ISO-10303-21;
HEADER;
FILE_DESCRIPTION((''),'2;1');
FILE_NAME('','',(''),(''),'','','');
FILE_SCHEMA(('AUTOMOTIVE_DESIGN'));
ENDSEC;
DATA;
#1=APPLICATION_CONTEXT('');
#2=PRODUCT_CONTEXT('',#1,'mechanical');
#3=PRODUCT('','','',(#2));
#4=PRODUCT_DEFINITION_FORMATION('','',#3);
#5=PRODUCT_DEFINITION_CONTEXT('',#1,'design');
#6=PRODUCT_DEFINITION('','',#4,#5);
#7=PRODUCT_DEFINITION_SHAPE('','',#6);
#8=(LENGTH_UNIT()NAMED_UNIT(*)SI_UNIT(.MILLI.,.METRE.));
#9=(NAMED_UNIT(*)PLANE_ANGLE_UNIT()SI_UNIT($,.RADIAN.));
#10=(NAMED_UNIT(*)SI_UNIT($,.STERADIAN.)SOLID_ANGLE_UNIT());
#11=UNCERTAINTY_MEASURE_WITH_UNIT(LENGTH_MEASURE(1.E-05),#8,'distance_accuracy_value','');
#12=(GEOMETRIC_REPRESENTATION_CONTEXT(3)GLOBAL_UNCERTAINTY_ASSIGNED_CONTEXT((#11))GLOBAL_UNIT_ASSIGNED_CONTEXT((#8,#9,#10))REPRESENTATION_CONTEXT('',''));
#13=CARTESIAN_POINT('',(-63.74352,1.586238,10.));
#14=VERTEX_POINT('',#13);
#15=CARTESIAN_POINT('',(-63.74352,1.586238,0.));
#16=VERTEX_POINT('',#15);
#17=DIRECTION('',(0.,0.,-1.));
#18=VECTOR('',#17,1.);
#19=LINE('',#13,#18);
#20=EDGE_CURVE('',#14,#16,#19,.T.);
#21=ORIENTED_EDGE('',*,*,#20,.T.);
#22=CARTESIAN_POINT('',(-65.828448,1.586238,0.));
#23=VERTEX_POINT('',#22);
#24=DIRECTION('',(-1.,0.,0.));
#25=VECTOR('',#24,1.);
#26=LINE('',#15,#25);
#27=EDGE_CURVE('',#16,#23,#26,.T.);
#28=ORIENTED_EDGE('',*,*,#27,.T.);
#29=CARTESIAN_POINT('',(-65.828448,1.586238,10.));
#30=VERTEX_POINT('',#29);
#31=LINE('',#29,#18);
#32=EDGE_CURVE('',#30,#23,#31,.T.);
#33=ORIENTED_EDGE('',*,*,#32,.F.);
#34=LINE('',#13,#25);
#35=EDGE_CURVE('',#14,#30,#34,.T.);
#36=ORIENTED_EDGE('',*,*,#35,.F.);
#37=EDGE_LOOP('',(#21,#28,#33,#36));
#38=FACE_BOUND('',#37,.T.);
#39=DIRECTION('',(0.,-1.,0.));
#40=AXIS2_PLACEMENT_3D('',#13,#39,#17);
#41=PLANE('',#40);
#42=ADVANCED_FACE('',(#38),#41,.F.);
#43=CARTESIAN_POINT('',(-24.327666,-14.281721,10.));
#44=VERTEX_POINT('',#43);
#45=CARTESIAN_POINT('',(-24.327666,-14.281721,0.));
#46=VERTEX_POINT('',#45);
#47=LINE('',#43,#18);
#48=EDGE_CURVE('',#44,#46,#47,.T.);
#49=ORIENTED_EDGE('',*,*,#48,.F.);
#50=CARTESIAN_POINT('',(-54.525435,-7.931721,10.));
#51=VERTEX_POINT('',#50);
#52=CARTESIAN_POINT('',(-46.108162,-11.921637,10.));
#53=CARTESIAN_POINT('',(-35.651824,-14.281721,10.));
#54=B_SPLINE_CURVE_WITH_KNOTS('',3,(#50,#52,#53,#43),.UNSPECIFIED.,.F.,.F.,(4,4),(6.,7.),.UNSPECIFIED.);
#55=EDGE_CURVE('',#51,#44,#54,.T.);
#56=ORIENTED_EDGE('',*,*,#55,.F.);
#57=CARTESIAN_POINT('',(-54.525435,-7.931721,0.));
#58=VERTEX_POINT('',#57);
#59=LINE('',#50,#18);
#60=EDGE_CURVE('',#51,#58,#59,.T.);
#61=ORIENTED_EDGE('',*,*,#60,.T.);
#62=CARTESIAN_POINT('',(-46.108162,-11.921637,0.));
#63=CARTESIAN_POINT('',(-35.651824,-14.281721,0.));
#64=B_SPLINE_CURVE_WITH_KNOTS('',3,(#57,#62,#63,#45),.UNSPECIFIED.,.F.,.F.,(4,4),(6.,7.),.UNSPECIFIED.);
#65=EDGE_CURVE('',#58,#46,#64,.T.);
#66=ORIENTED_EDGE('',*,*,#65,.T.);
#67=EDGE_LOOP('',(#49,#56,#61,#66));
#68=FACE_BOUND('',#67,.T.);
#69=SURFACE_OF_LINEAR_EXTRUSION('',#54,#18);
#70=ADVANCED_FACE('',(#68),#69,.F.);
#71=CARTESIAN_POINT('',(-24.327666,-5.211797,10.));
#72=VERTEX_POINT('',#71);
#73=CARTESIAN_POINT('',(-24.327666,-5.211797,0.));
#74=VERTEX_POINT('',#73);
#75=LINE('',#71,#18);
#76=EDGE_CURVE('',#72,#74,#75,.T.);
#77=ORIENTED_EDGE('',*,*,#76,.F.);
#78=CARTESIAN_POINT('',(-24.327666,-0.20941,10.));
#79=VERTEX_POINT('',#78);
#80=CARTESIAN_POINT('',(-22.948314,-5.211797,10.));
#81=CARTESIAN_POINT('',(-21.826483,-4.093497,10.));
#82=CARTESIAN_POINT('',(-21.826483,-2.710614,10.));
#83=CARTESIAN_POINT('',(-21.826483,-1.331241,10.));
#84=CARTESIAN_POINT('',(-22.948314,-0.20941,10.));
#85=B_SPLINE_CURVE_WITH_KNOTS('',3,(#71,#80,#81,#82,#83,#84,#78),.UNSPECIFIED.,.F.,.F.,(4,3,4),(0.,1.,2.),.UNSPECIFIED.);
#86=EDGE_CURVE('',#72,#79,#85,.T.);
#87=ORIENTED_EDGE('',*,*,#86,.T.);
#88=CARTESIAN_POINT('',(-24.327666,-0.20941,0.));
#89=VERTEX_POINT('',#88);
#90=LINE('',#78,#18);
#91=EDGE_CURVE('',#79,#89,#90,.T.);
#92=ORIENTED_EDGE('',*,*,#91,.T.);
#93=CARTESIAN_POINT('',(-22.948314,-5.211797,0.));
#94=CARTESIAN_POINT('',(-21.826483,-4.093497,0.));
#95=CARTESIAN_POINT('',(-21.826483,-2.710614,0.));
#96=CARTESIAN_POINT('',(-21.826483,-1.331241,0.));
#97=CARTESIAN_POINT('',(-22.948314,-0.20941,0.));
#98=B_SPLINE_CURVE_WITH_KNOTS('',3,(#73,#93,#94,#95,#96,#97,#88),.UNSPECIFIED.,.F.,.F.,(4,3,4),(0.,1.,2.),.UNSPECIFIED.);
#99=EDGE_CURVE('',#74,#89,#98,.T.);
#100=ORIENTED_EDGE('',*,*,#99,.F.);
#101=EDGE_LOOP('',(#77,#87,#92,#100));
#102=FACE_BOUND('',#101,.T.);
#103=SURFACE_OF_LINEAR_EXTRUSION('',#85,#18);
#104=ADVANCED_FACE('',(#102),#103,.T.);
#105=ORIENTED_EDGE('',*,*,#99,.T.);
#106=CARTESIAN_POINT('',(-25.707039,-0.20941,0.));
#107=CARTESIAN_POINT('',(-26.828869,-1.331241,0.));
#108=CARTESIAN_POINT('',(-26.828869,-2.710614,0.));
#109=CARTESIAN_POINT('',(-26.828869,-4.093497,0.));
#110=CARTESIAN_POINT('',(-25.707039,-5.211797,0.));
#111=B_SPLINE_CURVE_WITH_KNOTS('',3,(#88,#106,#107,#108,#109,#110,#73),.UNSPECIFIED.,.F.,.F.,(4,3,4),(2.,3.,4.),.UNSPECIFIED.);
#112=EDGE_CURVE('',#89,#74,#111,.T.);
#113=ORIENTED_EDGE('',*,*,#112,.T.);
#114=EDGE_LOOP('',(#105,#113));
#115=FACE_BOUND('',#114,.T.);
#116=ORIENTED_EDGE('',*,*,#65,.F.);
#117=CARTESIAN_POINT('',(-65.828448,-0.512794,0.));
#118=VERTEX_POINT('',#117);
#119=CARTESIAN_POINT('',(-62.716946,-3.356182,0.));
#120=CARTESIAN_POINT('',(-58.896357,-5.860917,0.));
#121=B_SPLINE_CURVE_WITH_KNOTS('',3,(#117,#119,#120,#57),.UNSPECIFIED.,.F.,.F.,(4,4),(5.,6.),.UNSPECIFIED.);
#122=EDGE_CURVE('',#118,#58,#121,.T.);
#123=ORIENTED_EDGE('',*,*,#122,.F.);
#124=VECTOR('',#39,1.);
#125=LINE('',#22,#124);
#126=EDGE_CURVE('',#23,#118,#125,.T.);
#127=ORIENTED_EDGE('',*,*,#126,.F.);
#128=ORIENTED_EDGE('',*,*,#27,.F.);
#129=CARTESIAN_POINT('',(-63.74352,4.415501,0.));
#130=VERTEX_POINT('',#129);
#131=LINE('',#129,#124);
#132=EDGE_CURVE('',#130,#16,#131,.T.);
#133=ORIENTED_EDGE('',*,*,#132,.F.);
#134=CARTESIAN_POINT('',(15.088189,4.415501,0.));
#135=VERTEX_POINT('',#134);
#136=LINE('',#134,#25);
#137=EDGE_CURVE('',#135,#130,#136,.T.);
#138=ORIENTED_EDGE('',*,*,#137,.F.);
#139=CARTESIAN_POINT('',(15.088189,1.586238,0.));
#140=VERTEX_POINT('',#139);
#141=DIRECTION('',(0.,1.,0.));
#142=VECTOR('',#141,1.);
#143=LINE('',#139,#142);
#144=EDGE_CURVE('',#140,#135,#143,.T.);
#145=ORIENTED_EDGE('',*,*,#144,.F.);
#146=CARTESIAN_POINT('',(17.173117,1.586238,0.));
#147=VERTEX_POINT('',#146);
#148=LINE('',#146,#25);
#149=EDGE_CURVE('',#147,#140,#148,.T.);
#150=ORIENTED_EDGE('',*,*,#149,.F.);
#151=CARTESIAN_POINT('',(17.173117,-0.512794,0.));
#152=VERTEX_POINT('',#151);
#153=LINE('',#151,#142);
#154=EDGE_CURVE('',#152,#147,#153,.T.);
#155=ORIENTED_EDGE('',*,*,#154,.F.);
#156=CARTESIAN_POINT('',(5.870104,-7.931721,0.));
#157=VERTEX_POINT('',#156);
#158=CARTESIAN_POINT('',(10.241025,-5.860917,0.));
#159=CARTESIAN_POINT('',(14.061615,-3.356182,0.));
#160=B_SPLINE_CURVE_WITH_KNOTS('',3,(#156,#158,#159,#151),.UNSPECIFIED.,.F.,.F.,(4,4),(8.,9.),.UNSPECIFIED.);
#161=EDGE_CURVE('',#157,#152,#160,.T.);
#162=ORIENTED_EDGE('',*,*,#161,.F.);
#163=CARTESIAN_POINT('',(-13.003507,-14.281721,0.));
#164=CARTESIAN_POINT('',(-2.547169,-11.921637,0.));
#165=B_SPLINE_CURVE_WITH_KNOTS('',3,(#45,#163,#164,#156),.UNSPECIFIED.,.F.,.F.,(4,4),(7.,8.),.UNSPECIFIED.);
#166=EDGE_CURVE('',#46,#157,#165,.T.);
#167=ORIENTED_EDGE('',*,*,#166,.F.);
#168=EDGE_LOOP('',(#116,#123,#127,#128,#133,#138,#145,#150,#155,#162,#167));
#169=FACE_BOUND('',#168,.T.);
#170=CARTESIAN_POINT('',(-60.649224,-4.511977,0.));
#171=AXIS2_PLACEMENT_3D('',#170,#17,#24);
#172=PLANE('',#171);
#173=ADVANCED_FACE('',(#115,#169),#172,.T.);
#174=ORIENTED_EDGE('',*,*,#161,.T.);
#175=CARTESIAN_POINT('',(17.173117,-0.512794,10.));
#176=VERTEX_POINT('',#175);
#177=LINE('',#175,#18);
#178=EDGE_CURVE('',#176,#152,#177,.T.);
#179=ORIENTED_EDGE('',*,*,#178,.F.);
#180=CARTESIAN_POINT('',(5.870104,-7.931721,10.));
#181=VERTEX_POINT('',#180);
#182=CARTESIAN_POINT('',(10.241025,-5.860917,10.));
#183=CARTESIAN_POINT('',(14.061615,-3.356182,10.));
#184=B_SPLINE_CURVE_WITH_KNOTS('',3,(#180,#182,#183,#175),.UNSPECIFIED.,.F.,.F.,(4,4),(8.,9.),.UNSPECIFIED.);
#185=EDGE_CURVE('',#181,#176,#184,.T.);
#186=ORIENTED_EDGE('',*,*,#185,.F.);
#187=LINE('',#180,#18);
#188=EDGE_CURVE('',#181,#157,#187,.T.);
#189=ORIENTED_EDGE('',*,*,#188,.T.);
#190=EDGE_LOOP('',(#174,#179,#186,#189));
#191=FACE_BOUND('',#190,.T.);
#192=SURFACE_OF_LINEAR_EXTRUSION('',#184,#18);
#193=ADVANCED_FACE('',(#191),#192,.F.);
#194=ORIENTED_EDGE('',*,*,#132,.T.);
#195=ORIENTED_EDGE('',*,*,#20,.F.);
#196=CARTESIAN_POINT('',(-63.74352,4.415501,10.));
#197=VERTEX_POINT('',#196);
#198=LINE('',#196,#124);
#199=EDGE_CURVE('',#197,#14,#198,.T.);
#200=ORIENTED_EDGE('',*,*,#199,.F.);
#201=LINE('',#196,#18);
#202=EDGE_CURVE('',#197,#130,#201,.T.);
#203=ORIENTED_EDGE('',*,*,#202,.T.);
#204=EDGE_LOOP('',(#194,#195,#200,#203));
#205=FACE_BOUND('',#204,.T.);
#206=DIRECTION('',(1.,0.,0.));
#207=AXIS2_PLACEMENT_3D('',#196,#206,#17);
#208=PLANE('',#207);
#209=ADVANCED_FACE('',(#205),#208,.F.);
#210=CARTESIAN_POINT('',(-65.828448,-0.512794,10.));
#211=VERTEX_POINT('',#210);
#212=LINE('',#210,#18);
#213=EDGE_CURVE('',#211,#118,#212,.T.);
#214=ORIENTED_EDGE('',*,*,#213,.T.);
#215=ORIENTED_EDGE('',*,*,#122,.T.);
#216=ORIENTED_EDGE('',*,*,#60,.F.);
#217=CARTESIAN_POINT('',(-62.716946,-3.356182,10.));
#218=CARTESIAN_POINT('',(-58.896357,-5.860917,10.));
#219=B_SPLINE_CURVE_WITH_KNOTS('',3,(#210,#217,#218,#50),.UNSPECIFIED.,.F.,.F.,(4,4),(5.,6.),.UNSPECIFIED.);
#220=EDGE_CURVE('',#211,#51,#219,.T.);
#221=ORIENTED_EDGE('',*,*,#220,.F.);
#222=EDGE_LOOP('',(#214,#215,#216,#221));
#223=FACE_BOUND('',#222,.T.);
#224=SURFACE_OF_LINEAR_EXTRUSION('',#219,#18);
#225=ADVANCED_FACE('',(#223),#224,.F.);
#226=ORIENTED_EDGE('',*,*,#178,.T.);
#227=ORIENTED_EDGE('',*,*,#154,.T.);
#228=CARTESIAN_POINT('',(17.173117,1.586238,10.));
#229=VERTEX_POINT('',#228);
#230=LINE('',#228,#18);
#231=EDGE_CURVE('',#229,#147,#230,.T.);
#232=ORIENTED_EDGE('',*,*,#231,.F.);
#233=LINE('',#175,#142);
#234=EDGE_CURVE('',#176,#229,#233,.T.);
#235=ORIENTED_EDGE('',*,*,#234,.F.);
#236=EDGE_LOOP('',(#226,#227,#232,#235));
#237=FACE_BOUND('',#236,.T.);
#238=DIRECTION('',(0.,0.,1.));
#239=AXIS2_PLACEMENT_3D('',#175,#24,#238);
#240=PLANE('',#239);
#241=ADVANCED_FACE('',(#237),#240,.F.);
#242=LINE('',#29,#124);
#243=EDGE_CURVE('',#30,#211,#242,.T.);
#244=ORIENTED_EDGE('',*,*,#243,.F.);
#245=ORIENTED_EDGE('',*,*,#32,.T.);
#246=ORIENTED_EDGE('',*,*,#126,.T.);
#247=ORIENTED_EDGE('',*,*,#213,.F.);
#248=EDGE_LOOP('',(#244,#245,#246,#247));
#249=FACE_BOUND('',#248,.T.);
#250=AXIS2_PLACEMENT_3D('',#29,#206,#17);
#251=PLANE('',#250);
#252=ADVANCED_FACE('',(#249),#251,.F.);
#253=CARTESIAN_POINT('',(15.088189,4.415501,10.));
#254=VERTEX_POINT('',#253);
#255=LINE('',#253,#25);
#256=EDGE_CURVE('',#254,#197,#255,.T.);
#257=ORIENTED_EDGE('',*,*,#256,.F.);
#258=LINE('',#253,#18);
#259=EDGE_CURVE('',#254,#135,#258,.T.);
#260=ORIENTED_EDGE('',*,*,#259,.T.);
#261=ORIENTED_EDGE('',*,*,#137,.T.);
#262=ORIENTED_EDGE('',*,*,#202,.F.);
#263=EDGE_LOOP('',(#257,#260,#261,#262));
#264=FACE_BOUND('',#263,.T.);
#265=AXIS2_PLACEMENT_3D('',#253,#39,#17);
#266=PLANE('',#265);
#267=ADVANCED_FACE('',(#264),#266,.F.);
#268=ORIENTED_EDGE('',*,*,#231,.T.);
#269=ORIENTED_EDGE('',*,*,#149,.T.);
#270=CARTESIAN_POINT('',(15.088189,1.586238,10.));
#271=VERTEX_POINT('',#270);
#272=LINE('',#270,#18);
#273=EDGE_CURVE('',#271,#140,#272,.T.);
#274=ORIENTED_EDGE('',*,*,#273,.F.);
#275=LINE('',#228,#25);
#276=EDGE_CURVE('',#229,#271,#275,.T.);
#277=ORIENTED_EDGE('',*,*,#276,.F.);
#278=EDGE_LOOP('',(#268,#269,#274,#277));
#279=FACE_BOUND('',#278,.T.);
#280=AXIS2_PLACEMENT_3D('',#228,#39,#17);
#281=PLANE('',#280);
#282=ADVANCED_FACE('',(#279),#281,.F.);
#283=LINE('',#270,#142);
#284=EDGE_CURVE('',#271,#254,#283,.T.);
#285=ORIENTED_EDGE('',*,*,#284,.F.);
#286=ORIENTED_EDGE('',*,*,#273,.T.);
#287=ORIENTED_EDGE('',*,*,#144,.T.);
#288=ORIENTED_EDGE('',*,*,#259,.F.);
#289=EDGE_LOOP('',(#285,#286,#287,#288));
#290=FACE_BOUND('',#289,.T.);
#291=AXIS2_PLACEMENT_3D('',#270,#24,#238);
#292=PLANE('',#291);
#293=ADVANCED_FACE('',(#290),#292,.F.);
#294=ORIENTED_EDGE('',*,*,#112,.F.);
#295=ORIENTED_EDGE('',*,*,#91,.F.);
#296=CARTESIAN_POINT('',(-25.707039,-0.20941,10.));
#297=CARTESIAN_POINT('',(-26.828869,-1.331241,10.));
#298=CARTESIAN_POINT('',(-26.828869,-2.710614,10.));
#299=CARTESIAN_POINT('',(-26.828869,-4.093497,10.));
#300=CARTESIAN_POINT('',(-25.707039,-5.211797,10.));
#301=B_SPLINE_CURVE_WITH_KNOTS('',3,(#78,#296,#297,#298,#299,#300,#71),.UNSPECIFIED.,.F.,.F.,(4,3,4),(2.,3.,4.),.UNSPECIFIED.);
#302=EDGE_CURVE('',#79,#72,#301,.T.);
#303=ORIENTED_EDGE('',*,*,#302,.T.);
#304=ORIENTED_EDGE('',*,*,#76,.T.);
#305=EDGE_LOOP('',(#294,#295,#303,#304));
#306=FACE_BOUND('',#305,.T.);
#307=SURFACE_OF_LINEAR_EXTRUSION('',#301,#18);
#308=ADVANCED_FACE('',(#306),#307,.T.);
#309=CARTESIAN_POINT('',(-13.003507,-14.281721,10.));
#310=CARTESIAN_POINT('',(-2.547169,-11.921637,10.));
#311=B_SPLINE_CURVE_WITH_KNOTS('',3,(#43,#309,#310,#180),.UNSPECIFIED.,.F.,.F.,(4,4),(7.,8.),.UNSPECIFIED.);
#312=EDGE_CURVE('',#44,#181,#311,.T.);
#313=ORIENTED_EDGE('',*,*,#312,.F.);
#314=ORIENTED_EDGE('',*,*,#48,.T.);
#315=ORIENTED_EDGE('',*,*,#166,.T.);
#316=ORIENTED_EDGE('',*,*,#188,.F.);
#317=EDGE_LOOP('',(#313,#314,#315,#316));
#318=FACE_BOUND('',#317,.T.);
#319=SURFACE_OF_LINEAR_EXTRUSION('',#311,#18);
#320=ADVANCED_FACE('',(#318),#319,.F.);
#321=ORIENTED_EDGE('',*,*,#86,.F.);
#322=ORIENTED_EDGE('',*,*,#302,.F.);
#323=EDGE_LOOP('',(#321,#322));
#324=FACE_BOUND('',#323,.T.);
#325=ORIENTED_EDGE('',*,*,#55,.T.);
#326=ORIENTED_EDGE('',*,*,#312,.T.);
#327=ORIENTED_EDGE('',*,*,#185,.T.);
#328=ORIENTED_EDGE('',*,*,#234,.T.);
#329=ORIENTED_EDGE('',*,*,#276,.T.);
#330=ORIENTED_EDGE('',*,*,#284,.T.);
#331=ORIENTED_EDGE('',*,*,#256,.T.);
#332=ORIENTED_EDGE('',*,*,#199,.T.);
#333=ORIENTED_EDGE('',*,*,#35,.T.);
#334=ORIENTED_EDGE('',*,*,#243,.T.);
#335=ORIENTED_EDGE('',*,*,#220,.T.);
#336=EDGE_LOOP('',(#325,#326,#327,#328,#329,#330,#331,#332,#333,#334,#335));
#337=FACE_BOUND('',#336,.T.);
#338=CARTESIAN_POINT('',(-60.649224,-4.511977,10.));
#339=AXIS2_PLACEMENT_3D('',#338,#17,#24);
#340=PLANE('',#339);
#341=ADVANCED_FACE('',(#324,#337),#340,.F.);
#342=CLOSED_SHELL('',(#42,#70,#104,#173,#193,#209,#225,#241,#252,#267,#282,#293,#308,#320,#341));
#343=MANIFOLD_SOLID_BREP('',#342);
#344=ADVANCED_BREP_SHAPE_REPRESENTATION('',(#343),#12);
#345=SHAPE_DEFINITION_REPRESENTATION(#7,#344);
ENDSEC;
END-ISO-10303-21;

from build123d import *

# Parameters (mm, degrees)
EXTRUDE_1_DEPTH = 10


with BuildPart() as part:
    # 草图1 → 凸台-拉伸1 (new body)
    with BuildSketch(Plane.XY):
        with BuildLine():
            Line((15.08818867, 1.586238016), (15.08818867, 4.415501152))
            Line((15.08818867, 4.415501152), (-63.743519752, 4.415501152))
            Line((-63.743519752, 4.415501152), (-63.743519752, 1.586238016))
            Line((-63.743519752, 1.586238016), (-65.828448476, 1.586238016))
            Line((-65.828448476, 1.586238016), (-65.828448476, -0.512794067))
            add(Edge.make_bspline(
                [(-65.828448476, -0.512794067), (-62.716945893, -3.356182094), (-58.896356532, -5.860917235), (-54.525434698, -7.931721067)],
                knots=[5, 5, 5, 5, 6, 6, 6, 6], degree=3))
            add(Edge.make_bspline(
                [(-54.525434698, -7.931721067), (-46.10816209, -11.921636872), (-35.651823592, -14.281721066), (-24.327665541, -14.281721066)],
                knots=[6, 6, 6, 6, 7, 7, 7, 7], degree=3))
            add(Edge.make_bspline(
                [(-24.327665541, -14.281721066), (-13.00350749, -14.281721066), (-2.547168991, -11.921636872), (5.870103617, -7.931721067)],
                knots=[7, 7, 7, 7, 8, 8, 8, 8], degree=3))
            add(Edge.make_bspline(
                [(5.870103617, -7.931721067), (10.24102545, -5.860917235), (14.061614811, -3.356182094), (17.173117394, -0.512794067)],
                knots=[8, 8, 8, 8, 9, 9, 9, 9], degree=3))
            Line((17.173117394, -0.512794067), (17.173117394, 1.586238016))
            Line((17.173117394, 1.586238016), (15.08818867, 1.586238016))
        make_face()
        with BuildLine():
            add(Edge.make_bspline(
                [(-24.327665541, -5.21179665), (-25.707038709, -5.21179665), (-26.828869459, -4.093497123), (-26.828869459, -2.710614264), (-26.828869459, -1.331241095), (-25.707038709, -0.209410346), (-24.327665541, -0.209410346)],
                knots=[2, 2, 2, 2, 3, 3, 3, 4, 4, 4, 4], degree=3))
            add(Edge.make_bspline(
                [(-24.327665541, -0.209410346), (-22.948313904, -0.209410346), (-21.826483155, -1.331241095), (-21.826483155, -2.710614264), (-21.826483155, -4.093497123), (-22.948313904, -5.21179665), (-24.327665541, -5.21179665)],
                knots=[0, 0, 0, 0, 1, 1, 1, 2, 2, 2, 2], degree=3))
        make_face(mode=Mode.SUBTRACT)
    extrude(amount=EXTRUDE_1_DEPTH)


solid = part.part
